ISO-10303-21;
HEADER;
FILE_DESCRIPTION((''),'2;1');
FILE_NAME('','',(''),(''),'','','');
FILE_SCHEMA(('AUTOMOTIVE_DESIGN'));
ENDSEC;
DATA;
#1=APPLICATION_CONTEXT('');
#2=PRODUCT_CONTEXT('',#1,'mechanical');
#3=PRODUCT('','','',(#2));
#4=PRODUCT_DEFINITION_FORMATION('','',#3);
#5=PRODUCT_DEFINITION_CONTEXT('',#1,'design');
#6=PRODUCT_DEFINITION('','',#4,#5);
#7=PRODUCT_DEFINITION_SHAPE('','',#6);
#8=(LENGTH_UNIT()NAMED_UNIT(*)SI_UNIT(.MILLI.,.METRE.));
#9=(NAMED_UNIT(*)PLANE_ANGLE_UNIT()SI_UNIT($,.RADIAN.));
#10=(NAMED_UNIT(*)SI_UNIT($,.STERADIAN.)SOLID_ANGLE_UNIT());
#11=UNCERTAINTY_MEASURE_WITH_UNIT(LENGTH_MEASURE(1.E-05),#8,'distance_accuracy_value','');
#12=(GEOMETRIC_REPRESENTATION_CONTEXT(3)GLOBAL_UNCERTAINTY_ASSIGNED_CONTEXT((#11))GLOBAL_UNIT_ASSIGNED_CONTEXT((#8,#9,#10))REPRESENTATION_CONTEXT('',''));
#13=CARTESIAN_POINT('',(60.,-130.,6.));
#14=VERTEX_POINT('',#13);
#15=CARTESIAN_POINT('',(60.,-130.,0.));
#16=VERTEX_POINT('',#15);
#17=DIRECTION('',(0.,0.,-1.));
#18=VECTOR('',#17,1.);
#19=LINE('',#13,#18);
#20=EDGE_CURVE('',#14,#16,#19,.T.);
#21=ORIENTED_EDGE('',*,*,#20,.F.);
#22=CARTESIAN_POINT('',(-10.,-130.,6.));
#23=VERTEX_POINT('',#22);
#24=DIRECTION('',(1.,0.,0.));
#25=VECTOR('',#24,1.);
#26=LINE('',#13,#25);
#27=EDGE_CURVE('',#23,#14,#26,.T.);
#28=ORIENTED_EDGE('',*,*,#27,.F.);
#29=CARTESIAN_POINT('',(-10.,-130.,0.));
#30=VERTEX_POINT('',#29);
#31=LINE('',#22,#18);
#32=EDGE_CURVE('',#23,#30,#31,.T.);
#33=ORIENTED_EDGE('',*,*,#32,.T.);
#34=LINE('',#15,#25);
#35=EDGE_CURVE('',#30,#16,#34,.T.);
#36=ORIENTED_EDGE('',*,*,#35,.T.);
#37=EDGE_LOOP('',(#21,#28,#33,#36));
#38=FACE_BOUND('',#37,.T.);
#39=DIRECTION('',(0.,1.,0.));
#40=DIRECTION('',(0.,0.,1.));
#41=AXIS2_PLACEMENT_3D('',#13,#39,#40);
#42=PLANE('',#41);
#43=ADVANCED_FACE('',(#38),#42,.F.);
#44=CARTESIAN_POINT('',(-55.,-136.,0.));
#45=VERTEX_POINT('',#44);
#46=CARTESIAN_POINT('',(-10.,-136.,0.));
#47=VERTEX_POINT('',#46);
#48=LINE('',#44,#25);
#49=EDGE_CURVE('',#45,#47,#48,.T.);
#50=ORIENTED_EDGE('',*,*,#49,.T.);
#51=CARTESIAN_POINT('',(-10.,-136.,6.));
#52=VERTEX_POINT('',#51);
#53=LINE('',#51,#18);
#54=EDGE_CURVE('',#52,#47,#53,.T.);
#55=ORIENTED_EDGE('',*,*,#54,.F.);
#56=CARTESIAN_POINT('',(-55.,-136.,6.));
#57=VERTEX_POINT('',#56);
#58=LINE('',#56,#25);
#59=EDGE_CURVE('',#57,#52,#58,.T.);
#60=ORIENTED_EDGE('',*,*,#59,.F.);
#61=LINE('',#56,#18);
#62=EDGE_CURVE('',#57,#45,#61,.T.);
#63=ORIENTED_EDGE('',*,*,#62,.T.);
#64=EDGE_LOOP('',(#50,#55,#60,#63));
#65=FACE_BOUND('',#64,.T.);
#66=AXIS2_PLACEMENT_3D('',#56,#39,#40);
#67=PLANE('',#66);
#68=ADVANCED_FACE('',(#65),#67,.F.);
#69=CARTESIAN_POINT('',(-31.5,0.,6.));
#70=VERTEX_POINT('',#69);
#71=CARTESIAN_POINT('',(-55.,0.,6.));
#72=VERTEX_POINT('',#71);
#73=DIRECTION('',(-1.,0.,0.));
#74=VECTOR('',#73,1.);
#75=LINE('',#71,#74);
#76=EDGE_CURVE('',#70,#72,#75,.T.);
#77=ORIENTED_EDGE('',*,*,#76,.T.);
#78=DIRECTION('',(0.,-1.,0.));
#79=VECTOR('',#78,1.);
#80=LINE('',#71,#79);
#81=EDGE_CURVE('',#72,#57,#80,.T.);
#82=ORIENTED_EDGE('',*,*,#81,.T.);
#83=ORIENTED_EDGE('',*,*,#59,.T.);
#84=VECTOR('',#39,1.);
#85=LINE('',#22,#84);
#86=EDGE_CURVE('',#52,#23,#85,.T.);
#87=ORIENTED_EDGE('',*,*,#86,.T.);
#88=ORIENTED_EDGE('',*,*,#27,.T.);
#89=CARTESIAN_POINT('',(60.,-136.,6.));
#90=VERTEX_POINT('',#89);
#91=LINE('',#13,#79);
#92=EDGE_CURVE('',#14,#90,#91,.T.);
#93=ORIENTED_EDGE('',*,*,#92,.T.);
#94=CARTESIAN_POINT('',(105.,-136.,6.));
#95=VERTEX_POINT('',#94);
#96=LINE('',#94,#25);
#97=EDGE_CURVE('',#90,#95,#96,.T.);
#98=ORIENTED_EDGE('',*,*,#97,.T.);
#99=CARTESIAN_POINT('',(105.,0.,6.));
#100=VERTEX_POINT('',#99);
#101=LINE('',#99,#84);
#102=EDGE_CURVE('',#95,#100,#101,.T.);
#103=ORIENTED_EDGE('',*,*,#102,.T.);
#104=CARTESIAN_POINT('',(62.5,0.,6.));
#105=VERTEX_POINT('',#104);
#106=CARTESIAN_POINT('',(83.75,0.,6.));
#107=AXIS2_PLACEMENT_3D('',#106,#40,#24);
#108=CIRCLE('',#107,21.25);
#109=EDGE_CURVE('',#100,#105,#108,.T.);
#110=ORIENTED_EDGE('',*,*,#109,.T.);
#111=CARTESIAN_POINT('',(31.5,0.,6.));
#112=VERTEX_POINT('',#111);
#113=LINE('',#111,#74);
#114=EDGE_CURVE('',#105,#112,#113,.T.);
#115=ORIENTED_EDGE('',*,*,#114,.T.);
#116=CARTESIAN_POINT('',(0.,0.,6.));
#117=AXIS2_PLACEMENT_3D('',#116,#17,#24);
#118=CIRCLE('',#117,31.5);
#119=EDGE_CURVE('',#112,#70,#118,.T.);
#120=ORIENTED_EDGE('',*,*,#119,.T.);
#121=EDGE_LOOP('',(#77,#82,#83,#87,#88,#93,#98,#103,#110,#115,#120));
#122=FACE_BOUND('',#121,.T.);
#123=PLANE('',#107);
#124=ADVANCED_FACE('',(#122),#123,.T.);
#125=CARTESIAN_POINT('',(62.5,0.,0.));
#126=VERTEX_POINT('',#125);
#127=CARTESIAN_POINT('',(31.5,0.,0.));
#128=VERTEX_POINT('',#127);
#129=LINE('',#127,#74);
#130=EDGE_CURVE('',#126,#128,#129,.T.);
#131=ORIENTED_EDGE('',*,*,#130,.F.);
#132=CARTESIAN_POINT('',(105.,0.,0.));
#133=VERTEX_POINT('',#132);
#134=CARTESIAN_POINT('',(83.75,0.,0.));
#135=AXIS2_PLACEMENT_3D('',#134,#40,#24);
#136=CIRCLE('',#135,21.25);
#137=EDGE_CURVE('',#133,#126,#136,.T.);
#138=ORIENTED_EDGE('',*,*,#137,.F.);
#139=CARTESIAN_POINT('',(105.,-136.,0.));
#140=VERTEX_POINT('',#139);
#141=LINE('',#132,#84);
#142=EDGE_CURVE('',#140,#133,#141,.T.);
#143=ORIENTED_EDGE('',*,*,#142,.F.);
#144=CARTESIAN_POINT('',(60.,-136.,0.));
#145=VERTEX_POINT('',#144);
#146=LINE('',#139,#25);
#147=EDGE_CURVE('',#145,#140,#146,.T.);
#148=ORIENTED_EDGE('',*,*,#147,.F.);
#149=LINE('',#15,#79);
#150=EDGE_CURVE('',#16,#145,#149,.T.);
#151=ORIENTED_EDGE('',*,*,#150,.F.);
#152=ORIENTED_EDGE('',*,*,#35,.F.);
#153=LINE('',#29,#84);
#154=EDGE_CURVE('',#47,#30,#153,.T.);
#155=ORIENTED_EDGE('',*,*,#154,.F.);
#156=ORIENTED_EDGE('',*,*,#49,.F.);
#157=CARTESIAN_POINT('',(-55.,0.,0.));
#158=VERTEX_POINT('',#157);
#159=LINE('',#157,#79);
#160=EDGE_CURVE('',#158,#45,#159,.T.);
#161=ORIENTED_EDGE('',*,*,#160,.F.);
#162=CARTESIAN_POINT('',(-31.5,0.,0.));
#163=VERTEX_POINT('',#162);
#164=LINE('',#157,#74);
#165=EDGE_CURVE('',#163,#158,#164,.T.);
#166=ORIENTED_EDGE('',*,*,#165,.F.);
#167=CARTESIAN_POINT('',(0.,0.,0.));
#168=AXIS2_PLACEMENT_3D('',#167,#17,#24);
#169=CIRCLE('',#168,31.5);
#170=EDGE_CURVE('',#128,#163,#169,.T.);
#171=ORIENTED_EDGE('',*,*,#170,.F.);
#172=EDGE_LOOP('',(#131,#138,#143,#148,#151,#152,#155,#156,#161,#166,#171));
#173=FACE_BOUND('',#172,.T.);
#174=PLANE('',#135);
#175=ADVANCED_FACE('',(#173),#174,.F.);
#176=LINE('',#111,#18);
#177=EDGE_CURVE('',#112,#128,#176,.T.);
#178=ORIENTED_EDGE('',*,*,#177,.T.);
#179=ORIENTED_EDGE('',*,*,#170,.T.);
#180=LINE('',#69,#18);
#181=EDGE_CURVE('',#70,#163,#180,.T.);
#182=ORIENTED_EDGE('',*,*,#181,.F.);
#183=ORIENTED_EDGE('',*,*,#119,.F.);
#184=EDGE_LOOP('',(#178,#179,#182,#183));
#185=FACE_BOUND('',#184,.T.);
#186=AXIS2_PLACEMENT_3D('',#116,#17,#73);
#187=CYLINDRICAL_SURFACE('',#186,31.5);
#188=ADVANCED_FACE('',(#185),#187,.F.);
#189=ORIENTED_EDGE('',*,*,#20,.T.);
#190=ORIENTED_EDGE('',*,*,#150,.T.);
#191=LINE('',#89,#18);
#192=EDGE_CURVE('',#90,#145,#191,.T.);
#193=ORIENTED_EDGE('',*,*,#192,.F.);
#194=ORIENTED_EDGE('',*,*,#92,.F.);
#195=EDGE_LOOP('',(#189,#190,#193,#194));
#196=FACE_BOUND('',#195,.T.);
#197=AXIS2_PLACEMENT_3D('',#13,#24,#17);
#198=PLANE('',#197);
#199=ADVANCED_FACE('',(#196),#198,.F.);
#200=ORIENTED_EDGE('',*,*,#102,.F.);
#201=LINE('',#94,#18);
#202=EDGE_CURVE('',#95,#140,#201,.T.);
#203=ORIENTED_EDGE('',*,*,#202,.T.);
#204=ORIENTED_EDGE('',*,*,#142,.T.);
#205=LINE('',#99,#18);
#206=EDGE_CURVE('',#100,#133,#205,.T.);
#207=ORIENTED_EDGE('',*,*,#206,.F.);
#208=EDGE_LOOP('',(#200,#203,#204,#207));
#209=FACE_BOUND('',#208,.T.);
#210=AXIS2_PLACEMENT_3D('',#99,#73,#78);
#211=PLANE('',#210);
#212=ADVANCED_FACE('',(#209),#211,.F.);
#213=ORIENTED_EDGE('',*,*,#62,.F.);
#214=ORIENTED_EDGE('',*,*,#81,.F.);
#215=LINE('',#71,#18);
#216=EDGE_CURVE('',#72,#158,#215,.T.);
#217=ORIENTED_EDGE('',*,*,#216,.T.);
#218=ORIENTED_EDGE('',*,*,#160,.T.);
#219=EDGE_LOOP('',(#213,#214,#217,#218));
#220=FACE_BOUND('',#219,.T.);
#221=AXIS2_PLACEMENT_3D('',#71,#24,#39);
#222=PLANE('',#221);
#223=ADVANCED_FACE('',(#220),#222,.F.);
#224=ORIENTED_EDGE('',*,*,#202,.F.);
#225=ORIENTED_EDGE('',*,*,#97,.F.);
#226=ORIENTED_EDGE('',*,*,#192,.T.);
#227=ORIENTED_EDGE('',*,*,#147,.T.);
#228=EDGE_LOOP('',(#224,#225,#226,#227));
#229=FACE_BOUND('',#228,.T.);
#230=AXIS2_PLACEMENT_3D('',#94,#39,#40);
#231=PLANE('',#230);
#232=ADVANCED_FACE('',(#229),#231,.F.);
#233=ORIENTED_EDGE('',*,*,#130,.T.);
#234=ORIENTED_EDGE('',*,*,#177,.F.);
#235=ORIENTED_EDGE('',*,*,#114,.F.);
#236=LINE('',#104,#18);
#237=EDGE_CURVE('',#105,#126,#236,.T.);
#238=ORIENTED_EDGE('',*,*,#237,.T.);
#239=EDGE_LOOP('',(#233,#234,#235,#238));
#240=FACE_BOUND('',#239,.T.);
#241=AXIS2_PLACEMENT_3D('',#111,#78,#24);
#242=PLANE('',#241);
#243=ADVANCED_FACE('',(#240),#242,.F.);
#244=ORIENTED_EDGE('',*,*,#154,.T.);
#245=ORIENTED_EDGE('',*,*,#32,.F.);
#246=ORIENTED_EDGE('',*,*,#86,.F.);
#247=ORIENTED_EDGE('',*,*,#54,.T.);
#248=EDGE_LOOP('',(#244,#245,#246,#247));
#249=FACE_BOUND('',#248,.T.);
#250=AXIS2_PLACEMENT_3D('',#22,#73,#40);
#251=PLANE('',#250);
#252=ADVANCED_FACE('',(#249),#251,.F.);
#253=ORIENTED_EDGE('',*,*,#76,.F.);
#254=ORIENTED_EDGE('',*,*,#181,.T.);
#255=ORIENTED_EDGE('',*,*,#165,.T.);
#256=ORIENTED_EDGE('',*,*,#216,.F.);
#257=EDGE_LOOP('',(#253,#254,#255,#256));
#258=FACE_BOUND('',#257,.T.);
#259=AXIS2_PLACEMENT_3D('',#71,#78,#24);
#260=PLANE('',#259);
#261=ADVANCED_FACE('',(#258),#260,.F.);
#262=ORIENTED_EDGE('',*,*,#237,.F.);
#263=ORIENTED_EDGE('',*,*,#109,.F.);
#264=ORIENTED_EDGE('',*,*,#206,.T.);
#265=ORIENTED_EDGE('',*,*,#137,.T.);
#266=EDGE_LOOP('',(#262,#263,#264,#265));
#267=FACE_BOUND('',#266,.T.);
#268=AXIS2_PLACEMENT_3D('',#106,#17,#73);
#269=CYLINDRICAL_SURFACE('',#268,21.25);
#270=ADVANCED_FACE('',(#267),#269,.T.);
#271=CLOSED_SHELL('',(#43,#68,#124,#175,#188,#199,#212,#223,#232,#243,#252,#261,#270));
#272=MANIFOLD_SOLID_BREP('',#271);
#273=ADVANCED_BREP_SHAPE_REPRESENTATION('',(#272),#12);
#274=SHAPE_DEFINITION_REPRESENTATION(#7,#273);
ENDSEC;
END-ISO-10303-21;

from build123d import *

# Parameters (mm, degrees)
BOSS_EXTRUDE1_DEPTH = 6


with BuildPart() as part:
    # Sketch1 → Boss-Extrude1 (new body)
    with BuildSketch(Plane.XY):
        with BuildLine():
            Line((-55, 0), (-31.5, 0))
            ThreePointArc((-31.5, 0), (0, -31.5), (31.5, 0))
            Line((31.5, 0), (62.5, 0))
            ThreePointArc((62.5, 0), (83.75, 21.25), (105, 0))
            Line((105, 0), (105, -136))
            Line((105, -136), (60, -136))
            Line((60, -136), (60, -130))
            Line((60, -130), (-10, -130))
            Line((-10, -130), (-10, -136))
            Line((-10, -136), (-55, -136))
            Line((-55, -136), (-55, 0))
        make_face()
    extrude(amount=BOSS_EXTRUDE1_DEPTH)


solid = part.part
